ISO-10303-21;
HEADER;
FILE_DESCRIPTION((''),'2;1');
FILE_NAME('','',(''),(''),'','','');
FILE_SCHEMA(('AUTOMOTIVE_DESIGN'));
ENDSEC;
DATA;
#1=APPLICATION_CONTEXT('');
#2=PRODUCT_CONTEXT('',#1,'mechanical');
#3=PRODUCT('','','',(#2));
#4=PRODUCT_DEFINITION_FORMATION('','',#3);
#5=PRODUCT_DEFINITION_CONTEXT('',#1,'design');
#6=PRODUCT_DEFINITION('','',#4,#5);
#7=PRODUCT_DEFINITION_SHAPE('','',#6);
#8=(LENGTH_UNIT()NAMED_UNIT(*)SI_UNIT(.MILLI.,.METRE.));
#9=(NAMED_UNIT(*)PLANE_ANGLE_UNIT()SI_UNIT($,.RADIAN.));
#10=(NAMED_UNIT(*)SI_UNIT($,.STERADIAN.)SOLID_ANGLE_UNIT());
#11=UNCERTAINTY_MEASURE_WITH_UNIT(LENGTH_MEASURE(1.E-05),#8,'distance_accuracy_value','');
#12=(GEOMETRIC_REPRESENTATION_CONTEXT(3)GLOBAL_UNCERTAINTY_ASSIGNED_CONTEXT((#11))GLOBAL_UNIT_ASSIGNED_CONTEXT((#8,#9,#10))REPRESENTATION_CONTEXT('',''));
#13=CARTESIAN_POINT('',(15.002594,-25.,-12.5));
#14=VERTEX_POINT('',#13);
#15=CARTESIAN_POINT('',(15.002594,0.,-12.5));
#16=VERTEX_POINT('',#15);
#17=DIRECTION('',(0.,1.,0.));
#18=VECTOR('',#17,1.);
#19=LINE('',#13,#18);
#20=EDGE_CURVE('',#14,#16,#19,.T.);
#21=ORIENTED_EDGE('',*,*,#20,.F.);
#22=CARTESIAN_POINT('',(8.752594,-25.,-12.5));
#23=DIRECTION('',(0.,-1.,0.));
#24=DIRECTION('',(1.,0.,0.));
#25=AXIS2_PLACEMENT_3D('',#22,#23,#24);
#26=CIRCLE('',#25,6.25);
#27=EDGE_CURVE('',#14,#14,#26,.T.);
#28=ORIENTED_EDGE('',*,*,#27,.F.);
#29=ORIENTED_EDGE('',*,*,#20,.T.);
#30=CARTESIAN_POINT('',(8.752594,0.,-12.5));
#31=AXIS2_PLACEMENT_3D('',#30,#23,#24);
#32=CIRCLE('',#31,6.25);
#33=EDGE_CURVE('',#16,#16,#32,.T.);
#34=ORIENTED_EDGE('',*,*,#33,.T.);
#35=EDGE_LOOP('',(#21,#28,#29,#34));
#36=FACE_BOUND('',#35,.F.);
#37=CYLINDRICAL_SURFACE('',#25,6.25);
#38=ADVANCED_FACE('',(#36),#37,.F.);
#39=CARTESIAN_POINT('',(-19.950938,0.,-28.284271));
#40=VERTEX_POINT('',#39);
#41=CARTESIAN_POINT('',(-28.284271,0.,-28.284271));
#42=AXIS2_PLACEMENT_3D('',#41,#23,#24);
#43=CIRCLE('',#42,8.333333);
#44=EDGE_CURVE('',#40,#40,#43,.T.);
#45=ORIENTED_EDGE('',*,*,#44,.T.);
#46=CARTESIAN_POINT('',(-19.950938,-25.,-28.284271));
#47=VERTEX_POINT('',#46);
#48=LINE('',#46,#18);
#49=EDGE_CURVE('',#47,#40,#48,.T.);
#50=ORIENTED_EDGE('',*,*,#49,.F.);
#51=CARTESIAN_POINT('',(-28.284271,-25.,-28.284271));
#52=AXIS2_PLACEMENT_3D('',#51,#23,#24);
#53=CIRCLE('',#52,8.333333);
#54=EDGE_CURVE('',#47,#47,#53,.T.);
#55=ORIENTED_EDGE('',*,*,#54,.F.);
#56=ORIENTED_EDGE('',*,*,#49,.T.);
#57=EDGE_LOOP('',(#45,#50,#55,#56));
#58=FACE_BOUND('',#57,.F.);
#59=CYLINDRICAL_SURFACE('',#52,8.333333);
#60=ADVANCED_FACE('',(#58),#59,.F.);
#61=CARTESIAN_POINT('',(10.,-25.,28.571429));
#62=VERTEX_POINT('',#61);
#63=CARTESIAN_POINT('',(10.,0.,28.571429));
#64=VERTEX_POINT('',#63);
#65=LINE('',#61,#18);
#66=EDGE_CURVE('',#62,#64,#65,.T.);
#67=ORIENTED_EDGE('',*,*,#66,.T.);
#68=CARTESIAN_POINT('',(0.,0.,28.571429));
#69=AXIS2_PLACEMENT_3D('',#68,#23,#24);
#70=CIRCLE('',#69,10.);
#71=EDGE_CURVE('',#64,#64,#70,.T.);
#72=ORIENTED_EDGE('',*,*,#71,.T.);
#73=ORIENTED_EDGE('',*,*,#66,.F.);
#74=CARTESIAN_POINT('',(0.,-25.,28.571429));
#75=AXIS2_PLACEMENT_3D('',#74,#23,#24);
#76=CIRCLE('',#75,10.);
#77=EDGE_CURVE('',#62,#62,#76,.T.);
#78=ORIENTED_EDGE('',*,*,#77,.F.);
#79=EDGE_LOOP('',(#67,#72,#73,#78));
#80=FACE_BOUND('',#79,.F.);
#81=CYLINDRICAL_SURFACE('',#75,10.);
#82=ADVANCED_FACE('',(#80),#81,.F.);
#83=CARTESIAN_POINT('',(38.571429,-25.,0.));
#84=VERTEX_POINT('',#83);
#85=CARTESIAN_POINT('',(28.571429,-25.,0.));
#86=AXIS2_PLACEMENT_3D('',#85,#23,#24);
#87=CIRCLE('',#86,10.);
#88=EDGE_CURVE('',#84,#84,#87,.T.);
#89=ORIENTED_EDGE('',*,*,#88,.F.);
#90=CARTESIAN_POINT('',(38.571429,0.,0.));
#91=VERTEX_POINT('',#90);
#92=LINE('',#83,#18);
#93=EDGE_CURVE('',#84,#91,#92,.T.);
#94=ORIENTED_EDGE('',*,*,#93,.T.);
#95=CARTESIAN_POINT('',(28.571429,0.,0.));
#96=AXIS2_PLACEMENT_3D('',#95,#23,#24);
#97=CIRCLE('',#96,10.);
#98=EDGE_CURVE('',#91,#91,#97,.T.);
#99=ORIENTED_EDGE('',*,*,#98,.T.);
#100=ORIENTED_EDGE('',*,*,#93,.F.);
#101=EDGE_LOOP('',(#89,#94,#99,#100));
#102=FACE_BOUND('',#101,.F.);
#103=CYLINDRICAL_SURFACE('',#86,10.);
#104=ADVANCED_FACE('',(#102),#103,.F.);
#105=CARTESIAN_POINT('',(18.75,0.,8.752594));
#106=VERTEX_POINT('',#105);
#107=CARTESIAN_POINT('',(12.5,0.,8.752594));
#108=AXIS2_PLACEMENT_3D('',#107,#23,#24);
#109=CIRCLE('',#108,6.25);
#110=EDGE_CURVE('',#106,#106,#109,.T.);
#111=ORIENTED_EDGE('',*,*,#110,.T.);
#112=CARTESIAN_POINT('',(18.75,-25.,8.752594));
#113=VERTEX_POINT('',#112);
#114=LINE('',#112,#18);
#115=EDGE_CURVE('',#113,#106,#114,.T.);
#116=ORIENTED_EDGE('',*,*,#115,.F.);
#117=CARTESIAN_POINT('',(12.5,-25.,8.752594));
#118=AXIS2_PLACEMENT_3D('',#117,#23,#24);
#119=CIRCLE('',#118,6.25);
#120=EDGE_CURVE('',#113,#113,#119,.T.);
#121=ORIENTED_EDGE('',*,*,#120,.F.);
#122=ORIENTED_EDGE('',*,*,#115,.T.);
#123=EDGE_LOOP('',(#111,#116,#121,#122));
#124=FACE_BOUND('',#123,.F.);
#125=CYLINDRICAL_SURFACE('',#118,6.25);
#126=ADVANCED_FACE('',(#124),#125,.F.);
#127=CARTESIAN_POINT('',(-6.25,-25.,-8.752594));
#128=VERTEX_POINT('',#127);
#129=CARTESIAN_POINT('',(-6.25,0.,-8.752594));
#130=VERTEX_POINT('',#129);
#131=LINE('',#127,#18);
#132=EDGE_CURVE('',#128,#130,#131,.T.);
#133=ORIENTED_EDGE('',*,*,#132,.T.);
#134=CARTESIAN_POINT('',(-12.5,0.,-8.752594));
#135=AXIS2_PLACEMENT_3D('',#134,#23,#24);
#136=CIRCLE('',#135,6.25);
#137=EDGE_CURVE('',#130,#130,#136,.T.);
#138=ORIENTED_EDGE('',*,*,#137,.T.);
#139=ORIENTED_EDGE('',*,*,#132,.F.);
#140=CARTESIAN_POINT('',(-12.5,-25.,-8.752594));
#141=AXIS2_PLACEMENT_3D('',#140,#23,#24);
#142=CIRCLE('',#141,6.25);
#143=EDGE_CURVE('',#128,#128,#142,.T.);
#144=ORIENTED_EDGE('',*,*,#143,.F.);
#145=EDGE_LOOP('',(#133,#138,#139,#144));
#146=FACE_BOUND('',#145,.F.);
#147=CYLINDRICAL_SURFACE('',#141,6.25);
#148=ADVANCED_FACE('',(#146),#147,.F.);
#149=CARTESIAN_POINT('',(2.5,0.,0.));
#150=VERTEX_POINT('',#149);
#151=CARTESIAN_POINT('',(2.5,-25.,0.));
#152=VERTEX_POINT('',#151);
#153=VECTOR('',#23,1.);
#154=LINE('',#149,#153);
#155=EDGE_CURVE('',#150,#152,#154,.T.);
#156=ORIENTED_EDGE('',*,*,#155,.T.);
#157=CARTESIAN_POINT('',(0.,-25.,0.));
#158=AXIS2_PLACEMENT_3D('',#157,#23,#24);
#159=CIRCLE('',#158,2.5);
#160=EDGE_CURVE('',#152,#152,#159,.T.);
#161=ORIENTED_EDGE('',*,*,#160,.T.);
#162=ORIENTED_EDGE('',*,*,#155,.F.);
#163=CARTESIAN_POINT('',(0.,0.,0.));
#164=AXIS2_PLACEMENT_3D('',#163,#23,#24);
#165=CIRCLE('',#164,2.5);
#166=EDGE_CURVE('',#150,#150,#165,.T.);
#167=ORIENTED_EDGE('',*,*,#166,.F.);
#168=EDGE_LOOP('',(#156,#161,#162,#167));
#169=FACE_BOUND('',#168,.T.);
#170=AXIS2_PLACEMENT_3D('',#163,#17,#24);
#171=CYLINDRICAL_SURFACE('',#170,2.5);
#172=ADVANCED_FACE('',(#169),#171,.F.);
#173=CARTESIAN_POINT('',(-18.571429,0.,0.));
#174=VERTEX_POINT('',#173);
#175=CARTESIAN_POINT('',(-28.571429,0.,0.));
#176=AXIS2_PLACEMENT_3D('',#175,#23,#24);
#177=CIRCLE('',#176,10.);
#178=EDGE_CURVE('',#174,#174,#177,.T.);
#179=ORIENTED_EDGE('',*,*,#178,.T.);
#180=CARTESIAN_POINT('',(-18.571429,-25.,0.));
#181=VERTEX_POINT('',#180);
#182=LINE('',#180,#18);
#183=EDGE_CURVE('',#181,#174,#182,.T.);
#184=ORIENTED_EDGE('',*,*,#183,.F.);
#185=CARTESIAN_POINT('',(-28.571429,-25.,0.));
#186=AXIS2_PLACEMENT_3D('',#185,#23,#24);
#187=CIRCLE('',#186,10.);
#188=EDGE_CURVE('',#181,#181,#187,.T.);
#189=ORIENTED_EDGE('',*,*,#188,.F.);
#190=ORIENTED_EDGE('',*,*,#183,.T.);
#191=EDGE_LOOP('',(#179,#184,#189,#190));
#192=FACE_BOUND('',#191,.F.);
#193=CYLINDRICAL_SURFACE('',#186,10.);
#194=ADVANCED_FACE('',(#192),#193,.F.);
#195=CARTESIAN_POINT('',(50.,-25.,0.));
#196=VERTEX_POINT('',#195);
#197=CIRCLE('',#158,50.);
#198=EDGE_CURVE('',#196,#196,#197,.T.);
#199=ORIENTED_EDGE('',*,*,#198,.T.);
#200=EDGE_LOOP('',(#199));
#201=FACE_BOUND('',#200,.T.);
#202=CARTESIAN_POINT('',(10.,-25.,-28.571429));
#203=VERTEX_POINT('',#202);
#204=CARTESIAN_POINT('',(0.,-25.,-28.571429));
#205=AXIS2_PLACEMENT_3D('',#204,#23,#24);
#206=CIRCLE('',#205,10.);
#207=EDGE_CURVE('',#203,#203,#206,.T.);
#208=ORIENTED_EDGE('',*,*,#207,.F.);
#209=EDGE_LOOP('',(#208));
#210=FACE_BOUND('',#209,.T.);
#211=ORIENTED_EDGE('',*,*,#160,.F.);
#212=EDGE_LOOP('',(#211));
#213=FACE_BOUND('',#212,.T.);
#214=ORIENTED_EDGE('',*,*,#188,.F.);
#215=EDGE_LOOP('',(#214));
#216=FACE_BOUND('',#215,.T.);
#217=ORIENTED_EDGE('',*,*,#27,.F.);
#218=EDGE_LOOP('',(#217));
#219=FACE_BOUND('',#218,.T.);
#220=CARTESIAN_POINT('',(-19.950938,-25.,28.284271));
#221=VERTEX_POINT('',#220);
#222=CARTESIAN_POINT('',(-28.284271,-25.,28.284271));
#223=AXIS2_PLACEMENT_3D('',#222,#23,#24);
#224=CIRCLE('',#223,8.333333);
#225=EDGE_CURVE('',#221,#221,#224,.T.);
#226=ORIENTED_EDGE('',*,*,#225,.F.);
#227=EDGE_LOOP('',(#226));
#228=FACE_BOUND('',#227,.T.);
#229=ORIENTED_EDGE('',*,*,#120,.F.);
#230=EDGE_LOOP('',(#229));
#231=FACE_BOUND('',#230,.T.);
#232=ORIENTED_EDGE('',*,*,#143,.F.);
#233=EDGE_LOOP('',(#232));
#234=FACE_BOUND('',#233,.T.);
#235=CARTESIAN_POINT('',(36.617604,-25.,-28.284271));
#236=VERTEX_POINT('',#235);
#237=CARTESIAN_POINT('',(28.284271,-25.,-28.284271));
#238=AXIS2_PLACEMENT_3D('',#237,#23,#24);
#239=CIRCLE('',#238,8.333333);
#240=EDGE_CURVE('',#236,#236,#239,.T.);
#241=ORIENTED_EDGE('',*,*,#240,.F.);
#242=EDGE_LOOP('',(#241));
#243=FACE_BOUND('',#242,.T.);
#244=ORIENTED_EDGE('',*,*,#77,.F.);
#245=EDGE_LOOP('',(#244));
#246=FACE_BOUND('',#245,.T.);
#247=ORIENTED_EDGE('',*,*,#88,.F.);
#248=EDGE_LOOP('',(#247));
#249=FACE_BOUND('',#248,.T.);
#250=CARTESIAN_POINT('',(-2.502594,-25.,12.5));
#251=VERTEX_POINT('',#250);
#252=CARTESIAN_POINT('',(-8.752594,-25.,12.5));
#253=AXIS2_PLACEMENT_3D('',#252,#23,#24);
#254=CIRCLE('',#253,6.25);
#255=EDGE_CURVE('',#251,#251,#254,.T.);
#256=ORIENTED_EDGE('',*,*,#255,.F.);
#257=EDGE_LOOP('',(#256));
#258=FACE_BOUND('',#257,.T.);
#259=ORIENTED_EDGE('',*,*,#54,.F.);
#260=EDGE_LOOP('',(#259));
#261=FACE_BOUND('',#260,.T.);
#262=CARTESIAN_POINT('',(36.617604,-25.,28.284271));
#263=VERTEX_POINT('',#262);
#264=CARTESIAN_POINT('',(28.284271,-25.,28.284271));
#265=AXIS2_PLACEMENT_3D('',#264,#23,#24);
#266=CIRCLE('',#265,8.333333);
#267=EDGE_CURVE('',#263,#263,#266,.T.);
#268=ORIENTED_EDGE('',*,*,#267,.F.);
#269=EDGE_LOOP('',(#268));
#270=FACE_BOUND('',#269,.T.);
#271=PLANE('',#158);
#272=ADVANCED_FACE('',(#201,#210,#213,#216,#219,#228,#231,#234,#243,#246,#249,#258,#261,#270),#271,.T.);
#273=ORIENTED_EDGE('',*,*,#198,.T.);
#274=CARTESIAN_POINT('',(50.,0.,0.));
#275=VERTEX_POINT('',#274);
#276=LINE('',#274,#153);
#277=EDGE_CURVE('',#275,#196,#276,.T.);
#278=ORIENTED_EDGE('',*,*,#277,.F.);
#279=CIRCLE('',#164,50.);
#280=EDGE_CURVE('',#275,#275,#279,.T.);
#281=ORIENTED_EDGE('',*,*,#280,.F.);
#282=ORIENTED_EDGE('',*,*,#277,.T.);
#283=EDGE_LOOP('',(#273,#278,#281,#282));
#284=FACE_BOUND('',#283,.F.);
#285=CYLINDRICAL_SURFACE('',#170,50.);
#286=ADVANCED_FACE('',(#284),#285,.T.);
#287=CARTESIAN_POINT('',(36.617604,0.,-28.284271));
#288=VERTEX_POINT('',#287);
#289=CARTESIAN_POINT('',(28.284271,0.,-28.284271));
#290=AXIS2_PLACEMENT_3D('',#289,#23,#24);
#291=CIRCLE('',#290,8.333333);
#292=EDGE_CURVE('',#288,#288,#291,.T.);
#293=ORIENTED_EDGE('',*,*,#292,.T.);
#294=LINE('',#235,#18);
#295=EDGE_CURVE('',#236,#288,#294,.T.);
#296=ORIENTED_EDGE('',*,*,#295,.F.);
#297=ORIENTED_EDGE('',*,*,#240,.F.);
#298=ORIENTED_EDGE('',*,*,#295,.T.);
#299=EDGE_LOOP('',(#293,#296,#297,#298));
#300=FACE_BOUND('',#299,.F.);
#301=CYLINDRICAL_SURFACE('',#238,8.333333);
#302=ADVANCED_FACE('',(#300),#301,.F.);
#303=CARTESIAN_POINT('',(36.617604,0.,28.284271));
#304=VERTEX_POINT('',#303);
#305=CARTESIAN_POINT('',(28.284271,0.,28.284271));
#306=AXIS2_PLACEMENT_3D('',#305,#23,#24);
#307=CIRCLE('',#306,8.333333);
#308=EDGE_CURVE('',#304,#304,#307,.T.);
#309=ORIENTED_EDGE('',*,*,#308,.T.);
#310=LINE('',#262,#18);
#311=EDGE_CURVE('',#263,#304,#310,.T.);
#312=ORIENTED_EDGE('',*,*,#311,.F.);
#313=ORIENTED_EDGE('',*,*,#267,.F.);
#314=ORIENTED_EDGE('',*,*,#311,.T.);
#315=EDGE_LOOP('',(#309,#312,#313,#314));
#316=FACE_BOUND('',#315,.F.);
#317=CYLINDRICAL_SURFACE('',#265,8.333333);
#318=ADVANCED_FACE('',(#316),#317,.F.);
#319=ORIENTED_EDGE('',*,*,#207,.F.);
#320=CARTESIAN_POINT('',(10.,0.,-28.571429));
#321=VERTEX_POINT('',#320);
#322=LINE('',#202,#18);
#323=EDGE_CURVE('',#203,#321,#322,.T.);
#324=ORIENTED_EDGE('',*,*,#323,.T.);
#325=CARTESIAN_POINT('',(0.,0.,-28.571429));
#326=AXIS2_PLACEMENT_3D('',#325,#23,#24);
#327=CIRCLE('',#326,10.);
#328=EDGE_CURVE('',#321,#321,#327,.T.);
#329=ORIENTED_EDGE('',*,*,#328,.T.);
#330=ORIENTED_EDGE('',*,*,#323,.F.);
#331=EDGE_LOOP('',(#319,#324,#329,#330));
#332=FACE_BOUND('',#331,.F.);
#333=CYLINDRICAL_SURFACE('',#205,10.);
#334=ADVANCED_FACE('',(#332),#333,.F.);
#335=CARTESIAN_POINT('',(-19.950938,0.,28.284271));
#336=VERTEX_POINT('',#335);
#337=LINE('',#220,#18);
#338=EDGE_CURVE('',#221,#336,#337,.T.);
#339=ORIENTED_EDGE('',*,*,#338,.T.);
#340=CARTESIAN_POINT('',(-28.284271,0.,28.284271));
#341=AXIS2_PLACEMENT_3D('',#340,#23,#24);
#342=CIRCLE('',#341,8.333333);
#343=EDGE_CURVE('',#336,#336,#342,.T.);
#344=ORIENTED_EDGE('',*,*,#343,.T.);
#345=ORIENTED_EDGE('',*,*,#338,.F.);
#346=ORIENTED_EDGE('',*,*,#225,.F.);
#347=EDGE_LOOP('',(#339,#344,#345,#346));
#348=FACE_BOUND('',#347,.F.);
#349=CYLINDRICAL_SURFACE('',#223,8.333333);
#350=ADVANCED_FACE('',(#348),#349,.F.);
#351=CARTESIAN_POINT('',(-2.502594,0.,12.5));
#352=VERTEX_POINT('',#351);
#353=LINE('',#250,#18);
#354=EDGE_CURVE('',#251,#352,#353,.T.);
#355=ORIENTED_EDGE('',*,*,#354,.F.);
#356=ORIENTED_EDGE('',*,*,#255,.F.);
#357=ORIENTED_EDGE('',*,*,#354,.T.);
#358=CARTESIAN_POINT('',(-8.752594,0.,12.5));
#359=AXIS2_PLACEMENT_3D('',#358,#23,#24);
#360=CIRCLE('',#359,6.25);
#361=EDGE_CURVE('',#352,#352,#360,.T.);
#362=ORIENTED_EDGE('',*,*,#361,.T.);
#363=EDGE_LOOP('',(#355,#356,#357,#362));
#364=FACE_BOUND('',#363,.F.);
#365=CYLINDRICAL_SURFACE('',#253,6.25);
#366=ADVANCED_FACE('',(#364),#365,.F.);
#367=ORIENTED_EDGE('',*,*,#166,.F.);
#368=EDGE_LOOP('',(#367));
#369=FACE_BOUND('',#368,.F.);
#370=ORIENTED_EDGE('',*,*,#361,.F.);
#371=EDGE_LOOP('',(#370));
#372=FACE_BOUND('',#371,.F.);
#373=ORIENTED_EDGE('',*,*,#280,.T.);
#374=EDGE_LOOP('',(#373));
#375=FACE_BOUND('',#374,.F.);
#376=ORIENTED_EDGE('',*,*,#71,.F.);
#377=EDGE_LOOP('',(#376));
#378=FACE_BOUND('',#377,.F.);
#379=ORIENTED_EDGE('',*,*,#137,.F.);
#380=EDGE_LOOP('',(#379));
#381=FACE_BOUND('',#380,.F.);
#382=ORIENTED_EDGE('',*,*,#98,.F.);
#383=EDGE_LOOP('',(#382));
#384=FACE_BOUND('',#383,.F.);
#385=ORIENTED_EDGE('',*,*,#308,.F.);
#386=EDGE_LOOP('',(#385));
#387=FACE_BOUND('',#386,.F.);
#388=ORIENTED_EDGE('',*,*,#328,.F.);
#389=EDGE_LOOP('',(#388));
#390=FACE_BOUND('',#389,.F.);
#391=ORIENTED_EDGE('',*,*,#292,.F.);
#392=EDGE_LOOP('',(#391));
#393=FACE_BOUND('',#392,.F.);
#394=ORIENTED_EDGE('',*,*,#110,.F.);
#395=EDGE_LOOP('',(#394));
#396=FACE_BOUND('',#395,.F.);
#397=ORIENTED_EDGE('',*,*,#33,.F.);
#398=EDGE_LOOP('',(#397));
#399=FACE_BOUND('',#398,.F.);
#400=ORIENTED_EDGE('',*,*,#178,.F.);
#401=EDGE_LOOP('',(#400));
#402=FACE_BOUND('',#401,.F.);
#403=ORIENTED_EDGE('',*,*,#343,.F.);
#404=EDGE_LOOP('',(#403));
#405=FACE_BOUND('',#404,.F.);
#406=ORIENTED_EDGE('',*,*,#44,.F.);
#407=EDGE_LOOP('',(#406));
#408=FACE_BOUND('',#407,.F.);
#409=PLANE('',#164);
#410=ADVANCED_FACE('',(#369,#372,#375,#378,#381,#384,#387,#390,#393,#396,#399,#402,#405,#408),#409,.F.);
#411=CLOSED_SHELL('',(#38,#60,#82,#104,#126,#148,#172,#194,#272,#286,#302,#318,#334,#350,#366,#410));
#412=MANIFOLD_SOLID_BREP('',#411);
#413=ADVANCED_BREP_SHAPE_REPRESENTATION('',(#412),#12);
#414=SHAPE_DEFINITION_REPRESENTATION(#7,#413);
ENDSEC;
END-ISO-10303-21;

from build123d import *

# Parameters (mm, degrees)
F0_R     = 50
F0_R_2   = 2.5
F1_DEPTH = 25
F2_R     = 8.333333
F2_R_2   = 10
F2_R_3   = 6.25
F3_DEPTH = 25


with BuildPart() as f1:
    # F0 (on Front) → F1 (new body)
    with BuildSketch(Plane.XZ):
        Circle(F0_R)
        Circle(F0_R_2, mode=Mode.SUBTRACT)
    extrude(amount=F1_DEPTH)

    # F2 (on face) → F3 (cut)
    with BuildSketch(Plane.XZ.offset(25)):
        with Locations((-28.284271, 28.284271)):
            Circle(F2_R)
        with Locations((0, 28.571429)):
            Circle(F2_R_2)
        with Locations((-8.752594, 12.5)):
            Circle(F2_R_3)
        with Locations((12.5, 8.752594)):
            Circle(F2_R_3)
        with Locations((28.284271, 28.284271)):
            Circle(F2_R)
        with Locations((28.571429, 0)):
            Circle(F2_R_2)
        with Locations((-28.571429, 0)):
            Circle(F2_R_2)
        with Locations((-28.284271, -28.284271)):
            Circle(F2_R)
        with Locations((0, -28.571429)):
            Circle(F2_R_2)
        with Locations((-12.5, -8.752594)):
            Circle(F2_R_3)
        with Locations((28.284271, -28.284271)):
            Circle(F2_R)
        with Locations((8.752594, -12.5)):
            Circle(F2_R_3)
    extrude(amount=-F3_DEPTH, mode=Mode.SUBTRACT)


solid = f1.part
